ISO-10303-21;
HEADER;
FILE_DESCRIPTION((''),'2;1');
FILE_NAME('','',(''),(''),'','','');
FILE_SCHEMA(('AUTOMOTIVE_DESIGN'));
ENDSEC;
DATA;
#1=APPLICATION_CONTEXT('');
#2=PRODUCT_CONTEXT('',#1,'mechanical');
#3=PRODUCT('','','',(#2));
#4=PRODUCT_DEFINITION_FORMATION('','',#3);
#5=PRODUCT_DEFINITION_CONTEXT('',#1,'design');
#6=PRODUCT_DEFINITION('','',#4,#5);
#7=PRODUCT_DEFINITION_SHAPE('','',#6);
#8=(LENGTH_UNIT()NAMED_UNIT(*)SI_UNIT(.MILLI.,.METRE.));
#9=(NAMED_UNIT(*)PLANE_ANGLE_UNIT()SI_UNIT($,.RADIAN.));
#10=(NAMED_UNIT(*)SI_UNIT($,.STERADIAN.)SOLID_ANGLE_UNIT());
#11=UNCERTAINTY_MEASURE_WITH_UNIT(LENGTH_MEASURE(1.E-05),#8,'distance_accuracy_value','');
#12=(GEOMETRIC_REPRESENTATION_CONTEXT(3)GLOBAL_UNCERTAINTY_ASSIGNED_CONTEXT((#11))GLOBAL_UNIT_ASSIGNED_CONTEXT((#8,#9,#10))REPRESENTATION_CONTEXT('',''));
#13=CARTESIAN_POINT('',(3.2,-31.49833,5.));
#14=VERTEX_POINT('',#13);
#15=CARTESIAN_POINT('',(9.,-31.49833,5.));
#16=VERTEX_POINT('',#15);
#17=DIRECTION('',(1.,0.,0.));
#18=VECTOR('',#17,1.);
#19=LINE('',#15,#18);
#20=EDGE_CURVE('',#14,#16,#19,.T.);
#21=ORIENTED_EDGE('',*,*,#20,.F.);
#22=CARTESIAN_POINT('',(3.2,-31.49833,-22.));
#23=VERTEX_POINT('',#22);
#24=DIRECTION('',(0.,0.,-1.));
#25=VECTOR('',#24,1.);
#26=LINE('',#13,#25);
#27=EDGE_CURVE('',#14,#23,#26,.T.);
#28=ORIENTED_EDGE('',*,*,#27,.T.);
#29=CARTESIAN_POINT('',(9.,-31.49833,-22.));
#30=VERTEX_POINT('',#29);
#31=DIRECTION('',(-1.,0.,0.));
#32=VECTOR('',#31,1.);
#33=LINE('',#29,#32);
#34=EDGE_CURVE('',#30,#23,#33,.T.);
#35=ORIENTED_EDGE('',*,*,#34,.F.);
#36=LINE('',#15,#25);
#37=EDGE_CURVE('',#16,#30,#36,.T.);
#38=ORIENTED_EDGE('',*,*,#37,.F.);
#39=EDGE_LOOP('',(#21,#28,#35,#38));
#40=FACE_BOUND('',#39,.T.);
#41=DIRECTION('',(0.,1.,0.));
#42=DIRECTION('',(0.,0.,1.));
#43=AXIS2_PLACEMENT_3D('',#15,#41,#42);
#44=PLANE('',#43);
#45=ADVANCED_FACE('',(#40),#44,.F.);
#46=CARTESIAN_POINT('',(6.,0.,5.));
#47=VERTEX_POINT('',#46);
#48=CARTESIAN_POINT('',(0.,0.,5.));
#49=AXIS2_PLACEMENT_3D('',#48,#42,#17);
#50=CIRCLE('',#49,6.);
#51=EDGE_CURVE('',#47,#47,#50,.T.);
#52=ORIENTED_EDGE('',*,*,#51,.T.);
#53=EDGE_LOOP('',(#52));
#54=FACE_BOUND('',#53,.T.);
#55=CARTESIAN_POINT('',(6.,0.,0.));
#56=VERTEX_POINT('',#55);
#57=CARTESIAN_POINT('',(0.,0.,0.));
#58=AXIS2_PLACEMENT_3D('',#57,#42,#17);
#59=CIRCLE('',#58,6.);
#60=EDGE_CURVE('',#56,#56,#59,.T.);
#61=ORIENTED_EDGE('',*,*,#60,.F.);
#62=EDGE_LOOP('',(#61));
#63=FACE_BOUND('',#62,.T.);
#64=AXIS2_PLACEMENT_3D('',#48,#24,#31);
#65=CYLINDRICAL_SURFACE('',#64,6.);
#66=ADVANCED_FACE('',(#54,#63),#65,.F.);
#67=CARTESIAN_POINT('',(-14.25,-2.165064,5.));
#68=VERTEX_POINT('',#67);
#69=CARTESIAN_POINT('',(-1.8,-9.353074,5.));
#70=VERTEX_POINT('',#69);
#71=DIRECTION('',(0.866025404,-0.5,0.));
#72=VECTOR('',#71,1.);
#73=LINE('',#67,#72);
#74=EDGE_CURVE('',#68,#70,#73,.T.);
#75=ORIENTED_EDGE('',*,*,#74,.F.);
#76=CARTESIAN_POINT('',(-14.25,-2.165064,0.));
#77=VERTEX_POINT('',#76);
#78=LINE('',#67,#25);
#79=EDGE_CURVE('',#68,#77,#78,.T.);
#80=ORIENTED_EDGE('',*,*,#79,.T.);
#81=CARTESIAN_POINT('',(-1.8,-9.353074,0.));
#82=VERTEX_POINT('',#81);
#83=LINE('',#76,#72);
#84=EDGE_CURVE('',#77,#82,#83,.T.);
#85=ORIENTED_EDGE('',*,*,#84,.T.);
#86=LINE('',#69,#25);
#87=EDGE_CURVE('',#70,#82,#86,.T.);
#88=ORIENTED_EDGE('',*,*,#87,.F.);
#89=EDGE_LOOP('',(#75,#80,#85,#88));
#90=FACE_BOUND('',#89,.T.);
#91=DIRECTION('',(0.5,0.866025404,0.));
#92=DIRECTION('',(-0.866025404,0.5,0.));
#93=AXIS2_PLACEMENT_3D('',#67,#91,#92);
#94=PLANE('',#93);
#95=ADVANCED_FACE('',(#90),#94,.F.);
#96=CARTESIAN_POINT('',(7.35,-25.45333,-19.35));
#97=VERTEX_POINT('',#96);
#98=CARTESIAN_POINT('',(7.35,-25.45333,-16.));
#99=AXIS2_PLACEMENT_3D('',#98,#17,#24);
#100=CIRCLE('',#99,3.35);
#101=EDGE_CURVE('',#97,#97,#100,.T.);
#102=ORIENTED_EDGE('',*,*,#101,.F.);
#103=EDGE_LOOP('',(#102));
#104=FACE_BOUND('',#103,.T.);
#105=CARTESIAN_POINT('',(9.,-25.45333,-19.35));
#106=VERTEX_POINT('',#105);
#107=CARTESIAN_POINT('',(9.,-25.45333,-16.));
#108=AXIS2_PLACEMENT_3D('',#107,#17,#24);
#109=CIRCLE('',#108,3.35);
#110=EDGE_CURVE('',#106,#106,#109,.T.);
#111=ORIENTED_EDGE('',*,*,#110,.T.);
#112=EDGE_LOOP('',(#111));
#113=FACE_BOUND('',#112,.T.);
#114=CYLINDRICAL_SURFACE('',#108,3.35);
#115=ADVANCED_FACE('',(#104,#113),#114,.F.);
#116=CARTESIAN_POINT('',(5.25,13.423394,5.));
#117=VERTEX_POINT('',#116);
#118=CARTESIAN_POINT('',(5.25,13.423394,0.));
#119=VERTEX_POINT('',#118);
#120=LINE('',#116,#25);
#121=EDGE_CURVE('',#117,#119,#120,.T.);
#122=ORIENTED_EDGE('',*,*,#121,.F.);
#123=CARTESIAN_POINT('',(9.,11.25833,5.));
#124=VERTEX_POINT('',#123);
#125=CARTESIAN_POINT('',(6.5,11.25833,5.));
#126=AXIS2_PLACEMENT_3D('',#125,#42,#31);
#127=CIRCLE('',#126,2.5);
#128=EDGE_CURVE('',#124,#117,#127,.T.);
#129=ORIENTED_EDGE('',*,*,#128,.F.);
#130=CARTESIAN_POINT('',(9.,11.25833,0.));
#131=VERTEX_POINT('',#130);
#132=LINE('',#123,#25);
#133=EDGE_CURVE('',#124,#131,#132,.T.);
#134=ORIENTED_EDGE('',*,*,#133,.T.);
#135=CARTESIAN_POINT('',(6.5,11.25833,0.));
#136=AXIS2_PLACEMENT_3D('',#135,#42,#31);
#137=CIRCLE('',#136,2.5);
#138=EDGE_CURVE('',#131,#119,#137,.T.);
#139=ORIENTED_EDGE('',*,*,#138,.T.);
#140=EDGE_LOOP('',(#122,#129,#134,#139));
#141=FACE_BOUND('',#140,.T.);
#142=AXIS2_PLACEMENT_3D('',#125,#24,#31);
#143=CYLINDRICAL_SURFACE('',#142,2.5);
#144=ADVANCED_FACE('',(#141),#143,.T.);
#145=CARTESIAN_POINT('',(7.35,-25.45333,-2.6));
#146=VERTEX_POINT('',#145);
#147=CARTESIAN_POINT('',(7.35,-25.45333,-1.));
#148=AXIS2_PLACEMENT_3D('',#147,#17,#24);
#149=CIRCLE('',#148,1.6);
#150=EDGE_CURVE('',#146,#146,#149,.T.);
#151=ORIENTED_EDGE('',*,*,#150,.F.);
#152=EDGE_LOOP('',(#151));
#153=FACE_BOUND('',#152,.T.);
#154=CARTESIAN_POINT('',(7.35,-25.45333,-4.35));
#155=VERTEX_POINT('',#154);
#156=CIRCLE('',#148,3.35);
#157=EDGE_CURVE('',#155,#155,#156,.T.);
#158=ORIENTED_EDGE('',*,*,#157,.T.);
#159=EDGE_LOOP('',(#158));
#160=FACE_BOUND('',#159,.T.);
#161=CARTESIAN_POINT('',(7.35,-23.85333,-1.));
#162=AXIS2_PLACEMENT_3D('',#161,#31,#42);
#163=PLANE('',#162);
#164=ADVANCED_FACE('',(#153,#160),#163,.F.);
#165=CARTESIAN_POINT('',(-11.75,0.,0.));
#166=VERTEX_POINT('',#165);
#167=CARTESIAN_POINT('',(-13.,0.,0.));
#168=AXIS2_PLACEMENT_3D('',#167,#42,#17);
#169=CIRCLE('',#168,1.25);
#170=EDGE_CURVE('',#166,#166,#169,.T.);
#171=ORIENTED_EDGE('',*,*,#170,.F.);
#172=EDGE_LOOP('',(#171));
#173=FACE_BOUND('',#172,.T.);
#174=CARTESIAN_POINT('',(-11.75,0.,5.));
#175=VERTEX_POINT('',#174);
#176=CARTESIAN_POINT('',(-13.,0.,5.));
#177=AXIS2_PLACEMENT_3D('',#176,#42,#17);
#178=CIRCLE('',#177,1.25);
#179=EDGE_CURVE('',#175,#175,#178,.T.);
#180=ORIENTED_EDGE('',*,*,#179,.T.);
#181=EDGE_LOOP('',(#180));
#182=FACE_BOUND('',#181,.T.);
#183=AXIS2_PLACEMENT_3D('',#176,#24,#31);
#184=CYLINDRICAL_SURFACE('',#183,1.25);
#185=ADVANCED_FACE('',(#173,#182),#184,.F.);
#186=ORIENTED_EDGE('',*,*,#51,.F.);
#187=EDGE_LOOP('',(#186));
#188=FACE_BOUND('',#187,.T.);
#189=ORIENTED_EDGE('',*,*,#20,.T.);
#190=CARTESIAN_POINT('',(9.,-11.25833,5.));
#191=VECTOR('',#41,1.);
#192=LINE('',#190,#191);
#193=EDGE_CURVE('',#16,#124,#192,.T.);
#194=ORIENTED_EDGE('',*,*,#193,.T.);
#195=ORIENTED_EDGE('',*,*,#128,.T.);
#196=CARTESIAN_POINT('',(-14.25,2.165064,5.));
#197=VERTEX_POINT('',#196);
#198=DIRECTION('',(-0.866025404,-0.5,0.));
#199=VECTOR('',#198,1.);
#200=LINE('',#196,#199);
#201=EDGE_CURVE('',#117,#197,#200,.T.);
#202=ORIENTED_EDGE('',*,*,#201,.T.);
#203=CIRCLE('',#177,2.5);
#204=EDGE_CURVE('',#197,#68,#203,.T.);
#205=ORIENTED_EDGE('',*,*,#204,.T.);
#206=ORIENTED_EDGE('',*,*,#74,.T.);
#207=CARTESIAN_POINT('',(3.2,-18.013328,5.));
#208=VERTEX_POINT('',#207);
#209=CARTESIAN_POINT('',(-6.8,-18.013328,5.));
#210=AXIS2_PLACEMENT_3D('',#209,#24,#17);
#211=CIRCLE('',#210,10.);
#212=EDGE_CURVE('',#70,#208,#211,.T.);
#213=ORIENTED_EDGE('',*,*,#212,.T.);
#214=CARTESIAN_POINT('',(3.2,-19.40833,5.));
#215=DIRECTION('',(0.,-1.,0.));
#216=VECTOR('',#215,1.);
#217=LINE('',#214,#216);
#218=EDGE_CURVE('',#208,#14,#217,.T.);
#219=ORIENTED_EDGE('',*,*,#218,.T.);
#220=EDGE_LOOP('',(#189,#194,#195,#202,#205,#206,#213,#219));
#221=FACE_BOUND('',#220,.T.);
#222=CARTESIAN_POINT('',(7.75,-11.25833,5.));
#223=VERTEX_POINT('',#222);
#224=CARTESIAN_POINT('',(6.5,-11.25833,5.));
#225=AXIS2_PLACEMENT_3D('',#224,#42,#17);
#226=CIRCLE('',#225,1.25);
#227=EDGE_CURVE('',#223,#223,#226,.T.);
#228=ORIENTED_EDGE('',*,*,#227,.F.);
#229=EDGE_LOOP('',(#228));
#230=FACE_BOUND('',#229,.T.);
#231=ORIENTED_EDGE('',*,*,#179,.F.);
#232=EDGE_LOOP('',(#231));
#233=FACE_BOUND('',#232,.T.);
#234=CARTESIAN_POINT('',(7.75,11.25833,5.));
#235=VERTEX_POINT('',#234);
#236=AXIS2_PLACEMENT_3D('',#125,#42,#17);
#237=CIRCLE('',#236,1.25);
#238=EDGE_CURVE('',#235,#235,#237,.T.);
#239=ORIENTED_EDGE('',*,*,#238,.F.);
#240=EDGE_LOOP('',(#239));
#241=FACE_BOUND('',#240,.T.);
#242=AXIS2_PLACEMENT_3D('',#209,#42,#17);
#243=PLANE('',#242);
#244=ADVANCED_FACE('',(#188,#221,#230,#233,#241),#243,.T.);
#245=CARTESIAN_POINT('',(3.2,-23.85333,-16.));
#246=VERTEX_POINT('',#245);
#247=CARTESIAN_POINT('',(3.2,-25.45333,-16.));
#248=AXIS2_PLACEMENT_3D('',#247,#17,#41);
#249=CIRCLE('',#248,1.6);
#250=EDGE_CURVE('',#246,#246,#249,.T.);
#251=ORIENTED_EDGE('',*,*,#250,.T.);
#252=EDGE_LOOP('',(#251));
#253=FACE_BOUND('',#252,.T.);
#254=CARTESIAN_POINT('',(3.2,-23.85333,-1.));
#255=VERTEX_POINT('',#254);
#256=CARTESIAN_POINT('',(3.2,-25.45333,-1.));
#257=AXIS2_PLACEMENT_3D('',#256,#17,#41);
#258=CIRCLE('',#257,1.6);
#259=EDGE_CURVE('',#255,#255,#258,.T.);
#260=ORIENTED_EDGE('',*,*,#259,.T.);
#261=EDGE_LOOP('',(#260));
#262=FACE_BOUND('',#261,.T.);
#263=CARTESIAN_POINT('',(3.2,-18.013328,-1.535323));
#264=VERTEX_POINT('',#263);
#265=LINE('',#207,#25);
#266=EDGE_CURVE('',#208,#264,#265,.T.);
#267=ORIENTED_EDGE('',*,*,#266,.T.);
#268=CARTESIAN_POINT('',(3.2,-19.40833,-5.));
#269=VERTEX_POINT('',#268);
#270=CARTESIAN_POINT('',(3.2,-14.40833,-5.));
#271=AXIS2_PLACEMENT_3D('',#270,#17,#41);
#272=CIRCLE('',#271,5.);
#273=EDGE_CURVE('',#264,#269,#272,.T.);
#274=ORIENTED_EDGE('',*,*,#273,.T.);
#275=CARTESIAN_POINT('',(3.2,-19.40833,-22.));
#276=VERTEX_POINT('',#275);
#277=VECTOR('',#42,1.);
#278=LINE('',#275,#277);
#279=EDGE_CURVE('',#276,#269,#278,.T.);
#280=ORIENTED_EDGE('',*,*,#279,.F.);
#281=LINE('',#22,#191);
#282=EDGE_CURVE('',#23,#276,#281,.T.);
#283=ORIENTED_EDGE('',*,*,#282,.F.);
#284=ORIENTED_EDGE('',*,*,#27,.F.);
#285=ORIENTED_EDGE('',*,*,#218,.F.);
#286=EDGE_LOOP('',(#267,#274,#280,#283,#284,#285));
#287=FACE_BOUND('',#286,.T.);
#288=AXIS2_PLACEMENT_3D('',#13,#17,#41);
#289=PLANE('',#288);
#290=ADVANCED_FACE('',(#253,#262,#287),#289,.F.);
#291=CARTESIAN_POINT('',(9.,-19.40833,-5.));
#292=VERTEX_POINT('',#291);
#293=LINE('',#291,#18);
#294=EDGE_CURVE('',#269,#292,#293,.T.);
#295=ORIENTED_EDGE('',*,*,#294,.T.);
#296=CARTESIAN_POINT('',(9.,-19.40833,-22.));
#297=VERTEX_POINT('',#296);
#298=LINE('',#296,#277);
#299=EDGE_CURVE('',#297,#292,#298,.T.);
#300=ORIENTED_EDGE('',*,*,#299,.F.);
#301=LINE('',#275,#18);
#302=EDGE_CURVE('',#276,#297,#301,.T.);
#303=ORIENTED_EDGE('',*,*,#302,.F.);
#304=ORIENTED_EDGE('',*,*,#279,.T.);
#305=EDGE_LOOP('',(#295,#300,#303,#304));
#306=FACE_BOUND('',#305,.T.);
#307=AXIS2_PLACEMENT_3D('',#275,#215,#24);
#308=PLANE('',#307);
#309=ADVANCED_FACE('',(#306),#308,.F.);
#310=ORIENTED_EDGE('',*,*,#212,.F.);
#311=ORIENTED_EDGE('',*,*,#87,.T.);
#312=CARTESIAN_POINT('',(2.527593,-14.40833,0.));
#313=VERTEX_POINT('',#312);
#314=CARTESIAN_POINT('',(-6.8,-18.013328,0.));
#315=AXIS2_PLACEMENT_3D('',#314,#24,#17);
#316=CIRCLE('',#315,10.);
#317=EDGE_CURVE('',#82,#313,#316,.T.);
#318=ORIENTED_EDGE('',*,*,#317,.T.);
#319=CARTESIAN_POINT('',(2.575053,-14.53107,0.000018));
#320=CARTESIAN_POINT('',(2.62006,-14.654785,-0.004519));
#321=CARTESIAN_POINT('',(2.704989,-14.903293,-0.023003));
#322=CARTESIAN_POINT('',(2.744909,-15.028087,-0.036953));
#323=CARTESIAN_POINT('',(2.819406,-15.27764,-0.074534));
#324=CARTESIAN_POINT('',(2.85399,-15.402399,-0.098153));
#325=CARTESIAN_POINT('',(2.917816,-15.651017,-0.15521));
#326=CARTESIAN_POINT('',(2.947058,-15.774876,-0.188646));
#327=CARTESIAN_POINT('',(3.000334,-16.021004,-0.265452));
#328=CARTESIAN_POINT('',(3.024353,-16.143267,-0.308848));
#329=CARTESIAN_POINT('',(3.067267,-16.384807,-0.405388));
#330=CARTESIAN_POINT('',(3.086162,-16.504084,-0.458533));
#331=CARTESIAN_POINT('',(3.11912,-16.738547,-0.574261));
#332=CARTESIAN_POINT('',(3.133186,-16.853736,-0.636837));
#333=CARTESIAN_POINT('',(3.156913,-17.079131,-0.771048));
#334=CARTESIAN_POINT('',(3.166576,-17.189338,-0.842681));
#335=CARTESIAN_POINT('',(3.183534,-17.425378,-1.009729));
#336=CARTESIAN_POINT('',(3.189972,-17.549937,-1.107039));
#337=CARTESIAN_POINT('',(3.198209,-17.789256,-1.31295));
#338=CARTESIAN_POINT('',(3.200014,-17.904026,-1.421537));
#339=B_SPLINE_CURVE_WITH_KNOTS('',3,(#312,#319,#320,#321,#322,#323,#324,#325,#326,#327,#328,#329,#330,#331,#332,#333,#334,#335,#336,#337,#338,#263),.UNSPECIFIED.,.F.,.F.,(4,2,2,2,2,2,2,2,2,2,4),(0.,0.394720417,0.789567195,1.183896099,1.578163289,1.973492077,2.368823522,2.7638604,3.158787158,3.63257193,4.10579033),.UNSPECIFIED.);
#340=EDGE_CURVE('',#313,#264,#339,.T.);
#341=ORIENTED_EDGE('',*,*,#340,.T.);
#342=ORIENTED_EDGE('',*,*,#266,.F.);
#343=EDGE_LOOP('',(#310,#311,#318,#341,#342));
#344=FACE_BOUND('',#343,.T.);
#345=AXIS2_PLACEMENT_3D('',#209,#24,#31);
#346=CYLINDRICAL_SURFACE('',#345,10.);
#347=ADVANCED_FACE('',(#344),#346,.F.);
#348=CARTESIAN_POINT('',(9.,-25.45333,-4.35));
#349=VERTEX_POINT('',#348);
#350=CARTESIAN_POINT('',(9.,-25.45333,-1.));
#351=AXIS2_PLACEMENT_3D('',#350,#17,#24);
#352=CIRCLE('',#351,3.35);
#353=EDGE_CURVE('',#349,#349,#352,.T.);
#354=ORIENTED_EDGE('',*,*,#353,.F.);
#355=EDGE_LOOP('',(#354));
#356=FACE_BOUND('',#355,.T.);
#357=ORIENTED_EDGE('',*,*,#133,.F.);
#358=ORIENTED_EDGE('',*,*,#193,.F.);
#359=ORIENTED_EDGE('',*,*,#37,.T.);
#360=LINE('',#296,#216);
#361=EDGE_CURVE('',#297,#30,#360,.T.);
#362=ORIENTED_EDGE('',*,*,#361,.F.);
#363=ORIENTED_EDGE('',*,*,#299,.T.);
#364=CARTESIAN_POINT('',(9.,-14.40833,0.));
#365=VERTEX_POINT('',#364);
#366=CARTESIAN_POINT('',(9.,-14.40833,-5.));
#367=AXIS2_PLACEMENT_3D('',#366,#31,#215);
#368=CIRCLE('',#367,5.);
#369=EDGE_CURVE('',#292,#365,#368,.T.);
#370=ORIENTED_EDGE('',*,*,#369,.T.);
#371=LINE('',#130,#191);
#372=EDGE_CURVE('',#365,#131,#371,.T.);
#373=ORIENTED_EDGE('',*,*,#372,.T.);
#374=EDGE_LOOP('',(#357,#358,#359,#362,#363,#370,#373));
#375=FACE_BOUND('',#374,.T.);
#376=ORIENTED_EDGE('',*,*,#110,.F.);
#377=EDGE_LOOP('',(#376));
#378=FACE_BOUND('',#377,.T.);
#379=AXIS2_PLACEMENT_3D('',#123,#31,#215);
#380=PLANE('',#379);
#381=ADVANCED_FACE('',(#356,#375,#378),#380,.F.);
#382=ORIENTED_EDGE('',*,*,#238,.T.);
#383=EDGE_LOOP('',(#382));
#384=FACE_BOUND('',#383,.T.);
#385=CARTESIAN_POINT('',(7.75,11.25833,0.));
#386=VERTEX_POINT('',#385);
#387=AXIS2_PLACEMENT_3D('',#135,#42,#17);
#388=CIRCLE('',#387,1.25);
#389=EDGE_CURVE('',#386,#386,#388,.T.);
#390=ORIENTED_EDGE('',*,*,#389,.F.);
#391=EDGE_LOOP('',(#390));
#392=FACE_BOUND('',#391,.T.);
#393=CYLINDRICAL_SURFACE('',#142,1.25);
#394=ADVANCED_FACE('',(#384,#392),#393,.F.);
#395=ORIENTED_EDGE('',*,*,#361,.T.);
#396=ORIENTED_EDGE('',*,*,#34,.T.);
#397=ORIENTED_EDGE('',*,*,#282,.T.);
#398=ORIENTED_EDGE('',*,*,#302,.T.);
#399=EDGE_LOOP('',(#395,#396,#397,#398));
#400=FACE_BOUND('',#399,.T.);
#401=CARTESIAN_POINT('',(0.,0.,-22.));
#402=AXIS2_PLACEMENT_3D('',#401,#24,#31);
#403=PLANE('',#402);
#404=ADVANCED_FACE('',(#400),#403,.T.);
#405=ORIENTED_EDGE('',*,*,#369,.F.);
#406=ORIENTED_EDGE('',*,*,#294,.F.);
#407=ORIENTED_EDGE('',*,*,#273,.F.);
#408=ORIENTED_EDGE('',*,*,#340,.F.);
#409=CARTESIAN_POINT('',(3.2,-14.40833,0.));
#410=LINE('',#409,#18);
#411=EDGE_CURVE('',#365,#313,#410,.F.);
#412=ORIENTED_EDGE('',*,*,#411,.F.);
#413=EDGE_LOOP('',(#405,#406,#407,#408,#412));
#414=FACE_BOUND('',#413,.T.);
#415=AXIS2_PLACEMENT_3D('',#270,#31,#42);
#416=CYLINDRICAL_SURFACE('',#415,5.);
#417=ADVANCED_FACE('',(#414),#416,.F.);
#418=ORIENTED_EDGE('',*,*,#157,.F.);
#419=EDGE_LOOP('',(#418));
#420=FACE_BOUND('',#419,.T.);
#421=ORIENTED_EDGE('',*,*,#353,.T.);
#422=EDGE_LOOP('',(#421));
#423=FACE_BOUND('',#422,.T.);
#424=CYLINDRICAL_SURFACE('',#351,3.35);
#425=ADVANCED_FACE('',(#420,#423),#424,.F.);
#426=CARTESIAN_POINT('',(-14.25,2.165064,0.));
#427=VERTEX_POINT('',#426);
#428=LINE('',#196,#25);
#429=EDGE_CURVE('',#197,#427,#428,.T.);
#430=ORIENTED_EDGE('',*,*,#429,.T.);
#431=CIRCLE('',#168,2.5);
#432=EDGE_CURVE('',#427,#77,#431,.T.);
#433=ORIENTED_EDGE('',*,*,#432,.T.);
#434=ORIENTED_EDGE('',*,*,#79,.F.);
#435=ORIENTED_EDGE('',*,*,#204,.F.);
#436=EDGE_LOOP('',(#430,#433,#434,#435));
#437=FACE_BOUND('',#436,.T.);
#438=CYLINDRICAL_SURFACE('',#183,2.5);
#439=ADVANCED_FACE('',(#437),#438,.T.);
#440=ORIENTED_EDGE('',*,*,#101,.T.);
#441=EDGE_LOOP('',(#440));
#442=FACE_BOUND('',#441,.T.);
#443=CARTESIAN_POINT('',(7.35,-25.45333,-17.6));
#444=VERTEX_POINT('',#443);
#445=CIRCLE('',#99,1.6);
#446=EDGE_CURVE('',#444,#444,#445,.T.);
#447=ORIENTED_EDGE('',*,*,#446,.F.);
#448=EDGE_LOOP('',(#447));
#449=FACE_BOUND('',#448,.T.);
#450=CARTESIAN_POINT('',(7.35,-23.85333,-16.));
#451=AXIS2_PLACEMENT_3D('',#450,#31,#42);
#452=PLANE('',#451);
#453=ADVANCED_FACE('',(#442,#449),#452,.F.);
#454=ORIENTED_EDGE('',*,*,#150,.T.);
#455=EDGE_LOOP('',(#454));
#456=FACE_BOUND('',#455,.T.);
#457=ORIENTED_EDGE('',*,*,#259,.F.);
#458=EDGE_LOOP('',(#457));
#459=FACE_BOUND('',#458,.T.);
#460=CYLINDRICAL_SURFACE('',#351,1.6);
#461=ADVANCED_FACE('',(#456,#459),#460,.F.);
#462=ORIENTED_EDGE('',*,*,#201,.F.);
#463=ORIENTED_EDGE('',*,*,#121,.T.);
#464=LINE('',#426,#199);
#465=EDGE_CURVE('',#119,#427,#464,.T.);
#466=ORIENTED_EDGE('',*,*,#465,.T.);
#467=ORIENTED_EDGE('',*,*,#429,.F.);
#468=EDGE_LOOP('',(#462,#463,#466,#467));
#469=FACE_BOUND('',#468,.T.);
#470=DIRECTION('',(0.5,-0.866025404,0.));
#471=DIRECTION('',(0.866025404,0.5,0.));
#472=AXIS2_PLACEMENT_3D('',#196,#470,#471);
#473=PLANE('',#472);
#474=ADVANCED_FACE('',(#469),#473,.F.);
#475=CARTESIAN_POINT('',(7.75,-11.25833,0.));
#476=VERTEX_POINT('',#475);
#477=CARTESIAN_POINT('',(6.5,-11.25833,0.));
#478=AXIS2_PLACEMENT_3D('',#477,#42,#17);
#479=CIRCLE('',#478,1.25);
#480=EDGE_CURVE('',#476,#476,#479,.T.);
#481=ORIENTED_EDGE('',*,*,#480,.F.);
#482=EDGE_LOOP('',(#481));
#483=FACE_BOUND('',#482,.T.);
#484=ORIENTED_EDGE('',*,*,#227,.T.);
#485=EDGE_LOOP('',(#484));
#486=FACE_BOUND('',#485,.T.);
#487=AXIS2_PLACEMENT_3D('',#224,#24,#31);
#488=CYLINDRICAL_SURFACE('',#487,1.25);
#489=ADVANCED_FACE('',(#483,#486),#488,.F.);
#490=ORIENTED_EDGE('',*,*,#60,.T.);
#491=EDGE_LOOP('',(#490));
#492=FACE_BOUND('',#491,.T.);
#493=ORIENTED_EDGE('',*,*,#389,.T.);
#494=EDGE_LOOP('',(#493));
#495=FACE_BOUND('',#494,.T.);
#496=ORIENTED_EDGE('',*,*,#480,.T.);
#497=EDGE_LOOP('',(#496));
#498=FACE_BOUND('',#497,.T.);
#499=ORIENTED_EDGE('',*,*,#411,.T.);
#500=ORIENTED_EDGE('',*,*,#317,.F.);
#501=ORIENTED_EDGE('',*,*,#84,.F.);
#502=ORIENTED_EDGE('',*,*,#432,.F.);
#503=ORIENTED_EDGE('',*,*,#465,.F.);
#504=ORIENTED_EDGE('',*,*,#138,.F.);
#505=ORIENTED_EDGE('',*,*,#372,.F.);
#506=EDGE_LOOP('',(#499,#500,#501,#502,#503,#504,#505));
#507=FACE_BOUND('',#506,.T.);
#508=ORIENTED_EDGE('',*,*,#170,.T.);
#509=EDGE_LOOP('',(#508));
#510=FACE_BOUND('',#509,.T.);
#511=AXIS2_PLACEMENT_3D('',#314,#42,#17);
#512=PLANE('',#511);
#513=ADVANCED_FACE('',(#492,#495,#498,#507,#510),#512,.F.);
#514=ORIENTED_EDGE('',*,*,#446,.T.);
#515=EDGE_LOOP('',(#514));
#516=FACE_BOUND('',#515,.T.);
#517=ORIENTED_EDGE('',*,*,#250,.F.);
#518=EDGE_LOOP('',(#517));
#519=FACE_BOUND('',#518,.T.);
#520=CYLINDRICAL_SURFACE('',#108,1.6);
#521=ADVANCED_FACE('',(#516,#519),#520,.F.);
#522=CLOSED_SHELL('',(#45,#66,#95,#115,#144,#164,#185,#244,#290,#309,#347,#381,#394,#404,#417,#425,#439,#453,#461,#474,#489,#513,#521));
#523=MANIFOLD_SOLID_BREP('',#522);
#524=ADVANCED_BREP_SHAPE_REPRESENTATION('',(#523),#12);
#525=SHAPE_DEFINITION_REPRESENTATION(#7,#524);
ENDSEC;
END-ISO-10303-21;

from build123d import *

# Parameters (mm, degrees)
ESBO_O1_R                          = 6
ESBO_O1_R_2                        = 1.25
RESSALTO_EXTRUS_O1_DEPTH           = 5
ESBO_O2_W                          = 5.8
ESBO_O2_H                          = 12.09
RESSALTO_EXTRUS_O2_DEPTH           = 22
REBAIXO_PARA_SBHCS_M31_D           = 3.2
REBAIXO_PARA_SBHCS_M31_DEPTH       = 5.8
REBAIXO_PARA_SBHCS_M31_CBORE_D     = 6.7
REBAIXO_PARA_SBHCS_M31_CBORE_DEPTH = 1.65
FILETE1_R                          = 5


with BuildPart() as part:
    # Esboço1 → Ressalto-extrusão1 (new body)
    with BuildSketch(Plane.XY):
        with BuildLine():
            Line((-14.25, 2.165063509), (5.25, 13.423393759))
            ThreePointArc((5.25, 13.423393759), (7.75, 13.423393759), (9, 11.258330249))
            Line((9, 11.258330249), (9, -11.258330249))
            Line((9, -11.258330249), (9, -31.498330249))
            Line((9, -31.498330249), (3.2, -31.498330249))
            Line((3.2, -31.498330249), (3.2, -19.408330249))
            Line((3.2, -19.408330249), (3.2, -18.013328399))
            ThreePointArc((3.2, -18.013328399), (1.860254038, -13.013328399), (-1.8, -9.353074361))
            Line((-1.8, -9.353074361), (-14.25, -2.165063509))
            ThreePointArc((-14.25, -2.165063509), (-15.5, 0), (-14.25, 2.165063509))
        make_face()
        Circle(ESBO_O1_R, mode=Mode.SUBTRACT)
        with Locations((6.5, -11.258330249)):
            Circle(ESBO_O1_R_2, mode=Mode.SUBTRACT)
        with Locations((6.5, 11.258330249)):
            Circle(ESBO_O1_R_2, mode=Mode.SUBTRACT)
        with Locations((-13, 0)):
            Circle(ESBO_O1_R_2, mode=Mode.SUBTRACT)
    extrude(amount=RESSALTO_EXTRUS_O1_DEPTH)

    # Esboço2 → Ressalto-extrusão2 (add)
    with BuildSketch(Plane(origin=(0, 0, 0), x_dir=(-1, 0, 0), z_dir=(0, 0, -1))):
        with Locations((-6.1, -25.453330249)):
            Rectangle(ESBO_O2_W, ESBO_O2_H)
    extrude(amount=RESSALTO_EXTRUS_O2_DEPTH)

    # Rebaixo para SBHCS M31
    with Locations(Plane(origin=(9, 0, 0), x_dir=(0, 0, -1), z_dir=(1, 0, 0))):
        with Locations((1, -25.453330249), (16, -25.453330249)):
            CounterBoreHole(REBAIXO_PARA_SBHCS_M31_D / 2, REBAIXO_PARA_SBHCS_M31_CBORE_D / 2, REBAIXO_PARA_SBHCS_M31_CBORE_DEPTH, depth=REBAIXO_PARA_SBHCS_M31_DEPTH)

    # Filete1
    filete1_edges = [part.edges().sort_by_distance(p)[0] for p in [
        (6.1, -19.408330249, 0),
    ]]
    fillet(filete1_edges, radius=FILETE1_R)


solid = part.part
